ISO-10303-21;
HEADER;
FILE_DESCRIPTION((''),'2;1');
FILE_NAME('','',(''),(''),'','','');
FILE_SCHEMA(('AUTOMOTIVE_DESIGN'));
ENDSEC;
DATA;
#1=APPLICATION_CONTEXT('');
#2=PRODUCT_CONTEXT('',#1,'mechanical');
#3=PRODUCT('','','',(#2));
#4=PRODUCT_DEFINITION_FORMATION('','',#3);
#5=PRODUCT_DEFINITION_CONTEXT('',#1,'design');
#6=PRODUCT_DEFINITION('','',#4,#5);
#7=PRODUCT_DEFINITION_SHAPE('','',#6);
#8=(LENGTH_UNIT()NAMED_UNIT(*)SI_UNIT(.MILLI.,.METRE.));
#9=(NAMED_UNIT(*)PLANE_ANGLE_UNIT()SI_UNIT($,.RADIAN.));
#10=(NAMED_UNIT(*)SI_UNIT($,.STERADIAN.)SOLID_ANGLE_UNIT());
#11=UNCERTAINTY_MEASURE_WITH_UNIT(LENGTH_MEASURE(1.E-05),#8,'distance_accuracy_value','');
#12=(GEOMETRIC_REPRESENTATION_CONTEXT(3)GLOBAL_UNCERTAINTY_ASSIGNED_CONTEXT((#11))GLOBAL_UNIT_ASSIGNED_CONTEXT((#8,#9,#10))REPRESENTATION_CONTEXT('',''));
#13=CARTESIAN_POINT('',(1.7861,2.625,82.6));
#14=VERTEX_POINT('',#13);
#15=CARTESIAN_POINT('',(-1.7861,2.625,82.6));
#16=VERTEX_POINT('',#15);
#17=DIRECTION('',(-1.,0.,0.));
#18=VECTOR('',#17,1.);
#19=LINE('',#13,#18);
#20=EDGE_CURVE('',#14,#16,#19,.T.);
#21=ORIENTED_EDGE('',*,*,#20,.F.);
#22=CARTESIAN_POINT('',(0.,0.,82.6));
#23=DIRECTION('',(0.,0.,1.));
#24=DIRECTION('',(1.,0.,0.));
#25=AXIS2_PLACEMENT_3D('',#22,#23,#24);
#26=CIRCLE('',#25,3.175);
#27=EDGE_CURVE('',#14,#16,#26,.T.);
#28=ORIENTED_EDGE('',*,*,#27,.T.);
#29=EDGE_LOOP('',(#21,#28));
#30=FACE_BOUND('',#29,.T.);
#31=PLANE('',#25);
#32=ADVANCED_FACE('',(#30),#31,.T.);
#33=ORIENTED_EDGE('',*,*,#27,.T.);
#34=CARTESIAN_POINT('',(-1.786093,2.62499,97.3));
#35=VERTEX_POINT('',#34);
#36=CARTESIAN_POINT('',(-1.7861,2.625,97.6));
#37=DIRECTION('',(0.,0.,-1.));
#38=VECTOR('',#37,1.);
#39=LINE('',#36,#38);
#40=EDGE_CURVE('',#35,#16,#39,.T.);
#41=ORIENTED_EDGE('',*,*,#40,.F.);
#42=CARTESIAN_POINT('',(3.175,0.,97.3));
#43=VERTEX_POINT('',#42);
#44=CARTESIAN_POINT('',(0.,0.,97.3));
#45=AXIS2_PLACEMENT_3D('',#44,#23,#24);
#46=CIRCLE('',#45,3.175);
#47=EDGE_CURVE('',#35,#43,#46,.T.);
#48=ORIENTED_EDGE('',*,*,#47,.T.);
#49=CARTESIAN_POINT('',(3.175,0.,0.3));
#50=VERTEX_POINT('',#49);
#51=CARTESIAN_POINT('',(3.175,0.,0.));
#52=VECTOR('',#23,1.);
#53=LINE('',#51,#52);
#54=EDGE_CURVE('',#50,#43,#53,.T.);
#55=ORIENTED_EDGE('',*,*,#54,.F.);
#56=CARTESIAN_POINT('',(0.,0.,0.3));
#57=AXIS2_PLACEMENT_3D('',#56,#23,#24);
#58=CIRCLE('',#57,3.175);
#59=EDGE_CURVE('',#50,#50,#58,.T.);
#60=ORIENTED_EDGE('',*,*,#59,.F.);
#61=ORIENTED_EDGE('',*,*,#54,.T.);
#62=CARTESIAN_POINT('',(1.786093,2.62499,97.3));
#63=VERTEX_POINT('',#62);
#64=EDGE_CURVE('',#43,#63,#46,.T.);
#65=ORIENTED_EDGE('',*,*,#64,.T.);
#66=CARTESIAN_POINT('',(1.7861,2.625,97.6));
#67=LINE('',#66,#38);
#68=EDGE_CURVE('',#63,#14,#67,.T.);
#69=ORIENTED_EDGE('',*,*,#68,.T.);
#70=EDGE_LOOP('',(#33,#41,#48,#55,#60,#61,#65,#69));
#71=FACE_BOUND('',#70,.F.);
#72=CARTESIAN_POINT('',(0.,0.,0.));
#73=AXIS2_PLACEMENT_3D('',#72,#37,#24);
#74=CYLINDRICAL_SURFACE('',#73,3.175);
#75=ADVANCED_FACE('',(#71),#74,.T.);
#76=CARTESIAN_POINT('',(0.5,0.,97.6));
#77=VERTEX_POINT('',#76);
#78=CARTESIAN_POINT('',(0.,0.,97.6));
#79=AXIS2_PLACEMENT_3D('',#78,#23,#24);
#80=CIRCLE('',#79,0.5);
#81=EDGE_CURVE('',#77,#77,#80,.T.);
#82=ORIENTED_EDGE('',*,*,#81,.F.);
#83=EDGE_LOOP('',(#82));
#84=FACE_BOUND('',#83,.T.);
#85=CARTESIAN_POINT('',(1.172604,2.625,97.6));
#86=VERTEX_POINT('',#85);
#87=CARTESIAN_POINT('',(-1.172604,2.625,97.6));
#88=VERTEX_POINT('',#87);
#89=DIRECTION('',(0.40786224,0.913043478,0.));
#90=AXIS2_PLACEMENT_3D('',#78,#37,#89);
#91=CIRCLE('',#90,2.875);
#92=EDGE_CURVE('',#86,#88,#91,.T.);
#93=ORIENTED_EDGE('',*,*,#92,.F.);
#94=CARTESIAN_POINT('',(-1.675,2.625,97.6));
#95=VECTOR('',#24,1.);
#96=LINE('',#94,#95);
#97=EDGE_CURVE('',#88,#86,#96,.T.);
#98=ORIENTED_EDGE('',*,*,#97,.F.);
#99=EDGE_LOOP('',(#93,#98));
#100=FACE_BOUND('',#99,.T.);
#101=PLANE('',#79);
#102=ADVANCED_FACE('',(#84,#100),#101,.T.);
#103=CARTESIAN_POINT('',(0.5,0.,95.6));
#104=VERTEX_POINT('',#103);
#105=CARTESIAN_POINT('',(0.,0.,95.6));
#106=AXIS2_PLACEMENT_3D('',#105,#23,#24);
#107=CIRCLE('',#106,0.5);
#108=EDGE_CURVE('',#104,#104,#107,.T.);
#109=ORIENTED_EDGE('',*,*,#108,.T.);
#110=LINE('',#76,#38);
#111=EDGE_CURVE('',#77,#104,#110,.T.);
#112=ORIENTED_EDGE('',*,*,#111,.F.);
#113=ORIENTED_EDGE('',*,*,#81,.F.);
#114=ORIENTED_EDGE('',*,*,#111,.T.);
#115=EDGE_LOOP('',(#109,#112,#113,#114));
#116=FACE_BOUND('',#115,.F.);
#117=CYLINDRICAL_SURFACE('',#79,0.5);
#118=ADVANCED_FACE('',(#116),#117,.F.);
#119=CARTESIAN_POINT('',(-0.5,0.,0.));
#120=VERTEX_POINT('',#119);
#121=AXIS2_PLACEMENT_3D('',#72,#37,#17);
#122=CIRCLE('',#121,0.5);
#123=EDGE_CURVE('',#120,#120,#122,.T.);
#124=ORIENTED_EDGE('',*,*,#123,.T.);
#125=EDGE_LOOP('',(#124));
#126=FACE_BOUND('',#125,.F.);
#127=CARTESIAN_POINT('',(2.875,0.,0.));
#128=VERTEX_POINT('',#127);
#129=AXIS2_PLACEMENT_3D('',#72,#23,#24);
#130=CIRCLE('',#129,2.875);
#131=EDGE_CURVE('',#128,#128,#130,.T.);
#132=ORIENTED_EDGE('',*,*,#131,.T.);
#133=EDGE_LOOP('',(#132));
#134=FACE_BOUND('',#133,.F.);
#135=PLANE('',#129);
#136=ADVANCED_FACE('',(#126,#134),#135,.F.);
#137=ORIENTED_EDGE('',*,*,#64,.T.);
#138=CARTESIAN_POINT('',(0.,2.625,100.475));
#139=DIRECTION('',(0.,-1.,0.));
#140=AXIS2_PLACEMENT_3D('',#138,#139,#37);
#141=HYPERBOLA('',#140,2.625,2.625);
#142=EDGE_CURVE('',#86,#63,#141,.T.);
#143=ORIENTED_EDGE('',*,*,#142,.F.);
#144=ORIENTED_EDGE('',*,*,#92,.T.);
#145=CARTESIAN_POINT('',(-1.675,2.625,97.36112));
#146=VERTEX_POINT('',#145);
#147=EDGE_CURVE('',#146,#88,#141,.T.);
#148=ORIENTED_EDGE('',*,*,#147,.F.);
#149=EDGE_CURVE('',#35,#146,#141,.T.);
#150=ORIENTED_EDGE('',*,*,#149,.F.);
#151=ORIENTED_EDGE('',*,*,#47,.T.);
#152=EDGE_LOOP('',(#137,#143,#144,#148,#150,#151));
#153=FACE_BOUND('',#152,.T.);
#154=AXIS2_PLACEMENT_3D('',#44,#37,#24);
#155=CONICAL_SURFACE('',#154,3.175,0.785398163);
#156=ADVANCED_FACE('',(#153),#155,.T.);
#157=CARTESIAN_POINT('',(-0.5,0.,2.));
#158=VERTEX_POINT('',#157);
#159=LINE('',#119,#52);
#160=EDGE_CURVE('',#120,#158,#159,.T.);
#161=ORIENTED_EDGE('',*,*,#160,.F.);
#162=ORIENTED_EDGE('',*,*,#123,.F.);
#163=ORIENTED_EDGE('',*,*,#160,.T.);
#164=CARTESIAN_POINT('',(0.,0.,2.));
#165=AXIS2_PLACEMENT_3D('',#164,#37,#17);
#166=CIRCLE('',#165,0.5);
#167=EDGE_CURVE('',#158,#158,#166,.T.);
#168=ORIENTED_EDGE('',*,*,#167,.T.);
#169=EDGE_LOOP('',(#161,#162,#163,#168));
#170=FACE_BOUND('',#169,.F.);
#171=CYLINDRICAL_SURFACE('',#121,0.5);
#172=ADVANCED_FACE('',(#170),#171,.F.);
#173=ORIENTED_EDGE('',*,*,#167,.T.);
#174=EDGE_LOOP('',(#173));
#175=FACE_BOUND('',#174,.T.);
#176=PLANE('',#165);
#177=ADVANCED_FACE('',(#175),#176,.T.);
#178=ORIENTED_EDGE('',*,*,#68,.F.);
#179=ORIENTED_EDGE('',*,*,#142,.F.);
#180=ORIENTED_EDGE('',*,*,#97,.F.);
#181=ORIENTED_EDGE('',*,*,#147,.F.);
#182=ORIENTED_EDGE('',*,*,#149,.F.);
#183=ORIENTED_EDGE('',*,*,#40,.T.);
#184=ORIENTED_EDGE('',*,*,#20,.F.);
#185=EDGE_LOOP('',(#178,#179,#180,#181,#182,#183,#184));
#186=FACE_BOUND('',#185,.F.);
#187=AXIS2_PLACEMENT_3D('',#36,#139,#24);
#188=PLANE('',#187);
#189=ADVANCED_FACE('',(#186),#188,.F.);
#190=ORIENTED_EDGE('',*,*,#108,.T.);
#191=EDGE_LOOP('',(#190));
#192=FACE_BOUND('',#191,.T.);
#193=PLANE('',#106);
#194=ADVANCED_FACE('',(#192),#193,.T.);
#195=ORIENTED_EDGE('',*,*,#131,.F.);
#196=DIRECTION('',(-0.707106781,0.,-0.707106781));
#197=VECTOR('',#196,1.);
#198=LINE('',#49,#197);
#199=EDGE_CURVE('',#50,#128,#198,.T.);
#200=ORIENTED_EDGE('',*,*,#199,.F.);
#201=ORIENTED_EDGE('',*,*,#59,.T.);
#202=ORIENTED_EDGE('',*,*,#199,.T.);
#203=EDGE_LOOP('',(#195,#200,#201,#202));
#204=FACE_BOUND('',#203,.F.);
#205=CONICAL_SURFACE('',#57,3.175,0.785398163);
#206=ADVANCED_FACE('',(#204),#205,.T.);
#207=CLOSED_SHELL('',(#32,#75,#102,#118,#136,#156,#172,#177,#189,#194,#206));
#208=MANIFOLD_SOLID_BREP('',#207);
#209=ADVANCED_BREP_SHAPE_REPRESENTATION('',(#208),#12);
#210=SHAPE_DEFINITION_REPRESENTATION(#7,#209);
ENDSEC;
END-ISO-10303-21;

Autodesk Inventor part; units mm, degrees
ref_plane "YZ Plane" through (0, 0, 0) normal (1, 0, 0) x (0, 1, 0)
ref_plane "XZ Plane" through (0, 0, 0) normal (0, 1, 0) x (-1, 0, 0)
ref_plane "XY Plane" through (0, 0, 0) normal (0, 0, 1) x (1, 0, 0)
sketch "Sketch1" plane through (0, 0, 0) normal (0, 0, 1) x (1, 0, 0)
  circle A0 centre (0, 0) radius 3.175
  dimension "d0" = 6.35
extrude "Extrusion1" add sketch "Sketch1" along normal blind 97.6
chamfer "Chamfer1" distance 0.3 angle 45 2 edges at (-3.175, 0, 97.6) (-3.175, 0, 0)
sketch "Sketch2" plane through (0, 0, 97.6) normal (0, 0, 1) x (1, 0, 0)
  circle A0 centre (0, 0) radius 0.5
  dimension "d6" = 1
extrude "Extrusion2" cut sketch "Sketch2" against normal blind 2
sketch "Sketch3" plane through (0, 0, 0) normal (0, 0, -1) x (-1, 0, 0)
  circle A0 centre (0, 0) radius 0.5 projected
extrude "Extrusion3" cut sketch "Sketch3" against normal blind 2
sketch "Sketch4" plane through (0, 0, 97.6) normal (0, 0, 1) x (1, 0, 0)
  circle A0 centre (0, 0) radius 3.175 projected
  line L0 (-1.7861, 2.625) -> (-1.675, 2.625)
  line L1 (-1.675, 2.625) -> (1.7861, 2.625)
  dimension "d11" = 2.625
extrude "Extrusion4" cut sketch "Sketch4" against normal blind 15 contours L1 L0 A0 picked at (0.4083, 2.7411)
properties part number "motorAxis" material "Stainless Steel"
